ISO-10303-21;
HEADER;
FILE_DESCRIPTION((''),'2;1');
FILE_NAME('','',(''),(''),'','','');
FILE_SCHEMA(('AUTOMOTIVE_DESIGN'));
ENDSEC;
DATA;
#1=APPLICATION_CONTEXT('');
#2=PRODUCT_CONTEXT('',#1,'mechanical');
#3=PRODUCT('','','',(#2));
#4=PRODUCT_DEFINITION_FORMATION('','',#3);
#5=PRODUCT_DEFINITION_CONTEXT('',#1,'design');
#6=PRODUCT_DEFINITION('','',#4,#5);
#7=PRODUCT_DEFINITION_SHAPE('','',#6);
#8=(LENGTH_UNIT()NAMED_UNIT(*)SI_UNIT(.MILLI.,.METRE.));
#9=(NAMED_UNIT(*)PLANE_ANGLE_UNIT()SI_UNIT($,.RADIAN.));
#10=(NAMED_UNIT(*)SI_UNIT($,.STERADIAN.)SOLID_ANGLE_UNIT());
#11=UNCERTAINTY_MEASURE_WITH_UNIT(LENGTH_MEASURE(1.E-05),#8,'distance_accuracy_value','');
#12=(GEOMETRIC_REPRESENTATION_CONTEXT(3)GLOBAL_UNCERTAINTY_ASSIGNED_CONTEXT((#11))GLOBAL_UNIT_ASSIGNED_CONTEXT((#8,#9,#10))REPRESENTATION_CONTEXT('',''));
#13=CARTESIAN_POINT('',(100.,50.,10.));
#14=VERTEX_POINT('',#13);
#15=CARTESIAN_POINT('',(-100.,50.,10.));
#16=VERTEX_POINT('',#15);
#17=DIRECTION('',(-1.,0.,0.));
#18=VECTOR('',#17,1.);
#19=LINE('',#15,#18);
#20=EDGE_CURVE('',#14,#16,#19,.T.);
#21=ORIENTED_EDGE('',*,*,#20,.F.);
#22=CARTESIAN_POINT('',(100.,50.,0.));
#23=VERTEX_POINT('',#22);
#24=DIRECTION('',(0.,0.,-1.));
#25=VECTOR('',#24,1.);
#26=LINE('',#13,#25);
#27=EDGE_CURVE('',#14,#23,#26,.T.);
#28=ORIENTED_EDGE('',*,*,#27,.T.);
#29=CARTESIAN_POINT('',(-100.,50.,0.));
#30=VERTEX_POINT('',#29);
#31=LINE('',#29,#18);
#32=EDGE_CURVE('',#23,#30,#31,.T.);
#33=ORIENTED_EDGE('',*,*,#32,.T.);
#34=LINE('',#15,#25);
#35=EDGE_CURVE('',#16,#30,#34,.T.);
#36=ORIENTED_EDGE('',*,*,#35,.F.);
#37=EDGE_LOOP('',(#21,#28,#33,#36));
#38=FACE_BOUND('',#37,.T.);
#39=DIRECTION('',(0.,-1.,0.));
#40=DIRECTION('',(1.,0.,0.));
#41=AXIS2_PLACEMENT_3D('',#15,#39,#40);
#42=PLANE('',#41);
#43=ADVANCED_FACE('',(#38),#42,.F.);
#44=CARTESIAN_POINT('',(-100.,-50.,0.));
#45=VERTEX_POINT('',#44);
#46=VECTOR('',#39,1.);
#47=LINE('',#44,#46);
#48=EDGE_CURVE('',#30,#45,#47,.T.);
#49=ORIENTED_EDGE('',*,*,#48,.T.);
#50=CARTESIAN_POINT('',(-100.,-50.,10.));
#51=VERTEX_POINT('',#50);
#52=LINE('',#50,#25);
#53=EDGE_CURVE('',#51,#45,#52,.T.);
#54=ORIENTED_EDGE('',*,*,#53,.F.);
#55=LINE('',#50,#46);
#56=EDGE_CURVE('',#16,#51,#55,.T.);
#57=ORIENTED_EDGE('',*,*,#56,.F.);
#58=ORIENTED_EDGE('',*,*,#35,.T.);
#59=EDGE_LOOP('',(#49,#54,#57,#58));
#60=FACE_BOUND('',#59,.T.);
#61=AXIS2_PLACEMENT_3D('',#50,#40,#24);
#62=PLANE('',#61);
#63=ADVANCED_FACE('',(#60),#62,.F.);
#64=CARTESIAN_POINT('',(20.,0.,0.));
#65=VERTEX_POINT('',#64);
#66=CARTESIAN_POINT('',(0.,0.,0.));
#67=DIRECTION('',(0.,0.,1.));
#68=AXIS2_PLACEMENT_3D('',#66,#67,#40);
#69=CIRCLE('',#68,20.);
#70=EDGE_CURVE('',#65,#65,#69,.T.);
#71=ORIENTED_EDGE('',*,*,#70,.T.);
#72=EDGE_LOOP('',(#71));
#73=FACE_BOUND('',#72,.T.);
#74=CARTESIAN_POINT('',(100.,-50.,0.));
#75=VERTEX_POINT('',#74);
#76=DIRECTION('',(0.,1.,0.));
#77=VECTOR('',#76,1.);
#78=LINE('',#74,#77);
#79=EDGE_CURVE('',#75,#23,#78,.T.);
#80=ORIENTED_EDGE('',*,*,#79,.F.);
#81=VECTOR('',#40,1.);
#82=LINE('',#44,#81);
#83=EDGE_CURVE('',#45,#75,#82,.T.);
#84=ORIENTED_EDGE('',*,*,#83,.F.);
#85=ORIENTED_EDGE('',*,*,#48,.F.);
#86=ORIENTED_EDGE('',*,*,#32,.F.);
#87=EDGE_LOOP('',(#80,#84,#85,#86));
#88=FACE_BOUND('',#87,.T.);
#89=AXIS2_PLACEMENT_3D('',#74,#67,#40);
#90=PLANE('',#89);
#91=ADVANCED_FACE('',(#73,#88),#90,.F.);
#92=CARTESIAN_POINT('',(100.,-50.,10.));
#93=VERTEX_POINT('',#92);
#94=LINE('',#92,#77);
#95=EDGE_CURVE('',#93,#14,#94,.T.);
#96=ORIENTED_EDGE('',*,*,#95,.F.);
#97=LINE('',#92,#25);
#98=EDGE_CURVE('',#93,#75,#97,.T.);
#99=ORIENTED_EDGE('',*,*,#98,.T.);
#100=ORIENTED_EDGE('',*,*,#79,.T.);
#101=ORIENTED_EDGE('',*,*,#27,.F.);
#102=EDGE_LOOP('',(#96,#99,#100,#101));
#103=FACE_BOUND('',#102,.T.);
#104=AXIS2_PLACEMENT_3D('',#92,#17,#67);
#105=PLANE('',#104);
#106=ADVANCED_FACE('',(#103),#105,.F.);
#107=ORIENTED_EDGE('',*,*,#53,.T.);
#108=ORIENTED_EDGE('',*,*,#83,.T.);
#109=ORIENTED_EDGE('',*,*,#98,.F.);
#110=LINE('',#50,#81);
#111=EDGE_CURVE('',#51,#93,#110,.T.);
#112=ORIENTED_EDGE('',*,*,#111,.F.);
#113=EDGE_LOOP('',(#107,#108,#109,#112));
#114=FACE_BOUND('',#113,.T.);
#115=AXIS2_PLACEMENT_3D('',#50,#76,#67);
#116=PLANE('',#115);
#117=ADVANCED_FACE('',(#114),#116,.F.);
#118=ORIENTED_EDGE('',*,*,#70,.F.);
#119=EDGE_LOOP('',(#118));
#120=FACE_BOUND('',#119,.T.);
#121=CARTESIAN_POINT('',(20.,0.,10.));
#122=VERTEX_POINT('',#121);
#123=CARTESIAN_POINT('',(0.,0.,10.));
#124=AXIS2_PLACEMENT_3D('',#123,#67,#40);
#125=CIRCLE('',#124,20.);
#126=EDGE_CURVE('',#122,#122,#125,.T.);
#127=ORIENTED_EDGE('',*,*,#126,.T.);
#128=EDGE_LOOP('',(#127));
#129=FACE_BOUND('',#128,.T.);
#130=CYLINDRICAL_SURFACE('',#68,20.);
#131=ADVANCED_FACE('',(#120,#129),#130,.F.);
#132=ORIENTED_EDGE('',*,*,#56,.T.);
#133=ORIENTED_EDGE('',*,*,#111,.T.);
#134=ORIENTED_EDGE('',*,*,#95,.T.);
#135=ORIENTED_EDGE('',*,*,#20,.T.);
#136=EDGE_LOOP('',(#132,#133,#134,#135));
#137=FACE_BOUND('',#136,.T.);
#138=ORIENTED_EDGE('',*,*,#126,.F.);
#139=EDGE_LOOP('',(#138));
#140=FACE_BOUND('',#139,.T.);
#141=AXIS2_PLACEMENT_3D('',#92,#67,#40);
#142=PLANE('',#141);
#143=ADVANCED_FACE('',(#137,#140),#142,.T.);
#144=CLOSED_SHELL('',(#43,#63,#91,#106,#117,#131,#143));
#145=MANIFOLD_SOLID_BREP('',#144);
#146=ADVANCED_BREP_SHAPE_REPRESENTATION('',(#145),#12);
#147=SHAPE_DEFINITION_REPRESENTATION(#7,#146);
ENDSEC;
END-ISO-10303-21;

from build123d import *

# Parameters (mm, degrees)
SKETCH1_W          = 200
SKETCH1_H          = 100
EXTRUDE1_DEPTH     = 10
SKETCH2_R          = 20
CUT_EXTRUDE1_DEPTH = 113.249721603


with BuildPart() as part:
    # Sketch1 → Extrude1 (new body)
    with BuildSketch(Plane.XY):
        Rectangle(SKETCH1_W, SKETCH1_H)
    extrude(amount=EXTRUDE1_DEPTH)

    # Sketch2 → Cut-Extrude1 (cut, through all)
    with BuildSketch(Plane.XY.offset(10)):
        Circle(SKETCH2_R)
    extrude(amount=-CUT_EXTRUDE1_DEPTH, mode=Mode.SUBTRACT)


solid = part.part
